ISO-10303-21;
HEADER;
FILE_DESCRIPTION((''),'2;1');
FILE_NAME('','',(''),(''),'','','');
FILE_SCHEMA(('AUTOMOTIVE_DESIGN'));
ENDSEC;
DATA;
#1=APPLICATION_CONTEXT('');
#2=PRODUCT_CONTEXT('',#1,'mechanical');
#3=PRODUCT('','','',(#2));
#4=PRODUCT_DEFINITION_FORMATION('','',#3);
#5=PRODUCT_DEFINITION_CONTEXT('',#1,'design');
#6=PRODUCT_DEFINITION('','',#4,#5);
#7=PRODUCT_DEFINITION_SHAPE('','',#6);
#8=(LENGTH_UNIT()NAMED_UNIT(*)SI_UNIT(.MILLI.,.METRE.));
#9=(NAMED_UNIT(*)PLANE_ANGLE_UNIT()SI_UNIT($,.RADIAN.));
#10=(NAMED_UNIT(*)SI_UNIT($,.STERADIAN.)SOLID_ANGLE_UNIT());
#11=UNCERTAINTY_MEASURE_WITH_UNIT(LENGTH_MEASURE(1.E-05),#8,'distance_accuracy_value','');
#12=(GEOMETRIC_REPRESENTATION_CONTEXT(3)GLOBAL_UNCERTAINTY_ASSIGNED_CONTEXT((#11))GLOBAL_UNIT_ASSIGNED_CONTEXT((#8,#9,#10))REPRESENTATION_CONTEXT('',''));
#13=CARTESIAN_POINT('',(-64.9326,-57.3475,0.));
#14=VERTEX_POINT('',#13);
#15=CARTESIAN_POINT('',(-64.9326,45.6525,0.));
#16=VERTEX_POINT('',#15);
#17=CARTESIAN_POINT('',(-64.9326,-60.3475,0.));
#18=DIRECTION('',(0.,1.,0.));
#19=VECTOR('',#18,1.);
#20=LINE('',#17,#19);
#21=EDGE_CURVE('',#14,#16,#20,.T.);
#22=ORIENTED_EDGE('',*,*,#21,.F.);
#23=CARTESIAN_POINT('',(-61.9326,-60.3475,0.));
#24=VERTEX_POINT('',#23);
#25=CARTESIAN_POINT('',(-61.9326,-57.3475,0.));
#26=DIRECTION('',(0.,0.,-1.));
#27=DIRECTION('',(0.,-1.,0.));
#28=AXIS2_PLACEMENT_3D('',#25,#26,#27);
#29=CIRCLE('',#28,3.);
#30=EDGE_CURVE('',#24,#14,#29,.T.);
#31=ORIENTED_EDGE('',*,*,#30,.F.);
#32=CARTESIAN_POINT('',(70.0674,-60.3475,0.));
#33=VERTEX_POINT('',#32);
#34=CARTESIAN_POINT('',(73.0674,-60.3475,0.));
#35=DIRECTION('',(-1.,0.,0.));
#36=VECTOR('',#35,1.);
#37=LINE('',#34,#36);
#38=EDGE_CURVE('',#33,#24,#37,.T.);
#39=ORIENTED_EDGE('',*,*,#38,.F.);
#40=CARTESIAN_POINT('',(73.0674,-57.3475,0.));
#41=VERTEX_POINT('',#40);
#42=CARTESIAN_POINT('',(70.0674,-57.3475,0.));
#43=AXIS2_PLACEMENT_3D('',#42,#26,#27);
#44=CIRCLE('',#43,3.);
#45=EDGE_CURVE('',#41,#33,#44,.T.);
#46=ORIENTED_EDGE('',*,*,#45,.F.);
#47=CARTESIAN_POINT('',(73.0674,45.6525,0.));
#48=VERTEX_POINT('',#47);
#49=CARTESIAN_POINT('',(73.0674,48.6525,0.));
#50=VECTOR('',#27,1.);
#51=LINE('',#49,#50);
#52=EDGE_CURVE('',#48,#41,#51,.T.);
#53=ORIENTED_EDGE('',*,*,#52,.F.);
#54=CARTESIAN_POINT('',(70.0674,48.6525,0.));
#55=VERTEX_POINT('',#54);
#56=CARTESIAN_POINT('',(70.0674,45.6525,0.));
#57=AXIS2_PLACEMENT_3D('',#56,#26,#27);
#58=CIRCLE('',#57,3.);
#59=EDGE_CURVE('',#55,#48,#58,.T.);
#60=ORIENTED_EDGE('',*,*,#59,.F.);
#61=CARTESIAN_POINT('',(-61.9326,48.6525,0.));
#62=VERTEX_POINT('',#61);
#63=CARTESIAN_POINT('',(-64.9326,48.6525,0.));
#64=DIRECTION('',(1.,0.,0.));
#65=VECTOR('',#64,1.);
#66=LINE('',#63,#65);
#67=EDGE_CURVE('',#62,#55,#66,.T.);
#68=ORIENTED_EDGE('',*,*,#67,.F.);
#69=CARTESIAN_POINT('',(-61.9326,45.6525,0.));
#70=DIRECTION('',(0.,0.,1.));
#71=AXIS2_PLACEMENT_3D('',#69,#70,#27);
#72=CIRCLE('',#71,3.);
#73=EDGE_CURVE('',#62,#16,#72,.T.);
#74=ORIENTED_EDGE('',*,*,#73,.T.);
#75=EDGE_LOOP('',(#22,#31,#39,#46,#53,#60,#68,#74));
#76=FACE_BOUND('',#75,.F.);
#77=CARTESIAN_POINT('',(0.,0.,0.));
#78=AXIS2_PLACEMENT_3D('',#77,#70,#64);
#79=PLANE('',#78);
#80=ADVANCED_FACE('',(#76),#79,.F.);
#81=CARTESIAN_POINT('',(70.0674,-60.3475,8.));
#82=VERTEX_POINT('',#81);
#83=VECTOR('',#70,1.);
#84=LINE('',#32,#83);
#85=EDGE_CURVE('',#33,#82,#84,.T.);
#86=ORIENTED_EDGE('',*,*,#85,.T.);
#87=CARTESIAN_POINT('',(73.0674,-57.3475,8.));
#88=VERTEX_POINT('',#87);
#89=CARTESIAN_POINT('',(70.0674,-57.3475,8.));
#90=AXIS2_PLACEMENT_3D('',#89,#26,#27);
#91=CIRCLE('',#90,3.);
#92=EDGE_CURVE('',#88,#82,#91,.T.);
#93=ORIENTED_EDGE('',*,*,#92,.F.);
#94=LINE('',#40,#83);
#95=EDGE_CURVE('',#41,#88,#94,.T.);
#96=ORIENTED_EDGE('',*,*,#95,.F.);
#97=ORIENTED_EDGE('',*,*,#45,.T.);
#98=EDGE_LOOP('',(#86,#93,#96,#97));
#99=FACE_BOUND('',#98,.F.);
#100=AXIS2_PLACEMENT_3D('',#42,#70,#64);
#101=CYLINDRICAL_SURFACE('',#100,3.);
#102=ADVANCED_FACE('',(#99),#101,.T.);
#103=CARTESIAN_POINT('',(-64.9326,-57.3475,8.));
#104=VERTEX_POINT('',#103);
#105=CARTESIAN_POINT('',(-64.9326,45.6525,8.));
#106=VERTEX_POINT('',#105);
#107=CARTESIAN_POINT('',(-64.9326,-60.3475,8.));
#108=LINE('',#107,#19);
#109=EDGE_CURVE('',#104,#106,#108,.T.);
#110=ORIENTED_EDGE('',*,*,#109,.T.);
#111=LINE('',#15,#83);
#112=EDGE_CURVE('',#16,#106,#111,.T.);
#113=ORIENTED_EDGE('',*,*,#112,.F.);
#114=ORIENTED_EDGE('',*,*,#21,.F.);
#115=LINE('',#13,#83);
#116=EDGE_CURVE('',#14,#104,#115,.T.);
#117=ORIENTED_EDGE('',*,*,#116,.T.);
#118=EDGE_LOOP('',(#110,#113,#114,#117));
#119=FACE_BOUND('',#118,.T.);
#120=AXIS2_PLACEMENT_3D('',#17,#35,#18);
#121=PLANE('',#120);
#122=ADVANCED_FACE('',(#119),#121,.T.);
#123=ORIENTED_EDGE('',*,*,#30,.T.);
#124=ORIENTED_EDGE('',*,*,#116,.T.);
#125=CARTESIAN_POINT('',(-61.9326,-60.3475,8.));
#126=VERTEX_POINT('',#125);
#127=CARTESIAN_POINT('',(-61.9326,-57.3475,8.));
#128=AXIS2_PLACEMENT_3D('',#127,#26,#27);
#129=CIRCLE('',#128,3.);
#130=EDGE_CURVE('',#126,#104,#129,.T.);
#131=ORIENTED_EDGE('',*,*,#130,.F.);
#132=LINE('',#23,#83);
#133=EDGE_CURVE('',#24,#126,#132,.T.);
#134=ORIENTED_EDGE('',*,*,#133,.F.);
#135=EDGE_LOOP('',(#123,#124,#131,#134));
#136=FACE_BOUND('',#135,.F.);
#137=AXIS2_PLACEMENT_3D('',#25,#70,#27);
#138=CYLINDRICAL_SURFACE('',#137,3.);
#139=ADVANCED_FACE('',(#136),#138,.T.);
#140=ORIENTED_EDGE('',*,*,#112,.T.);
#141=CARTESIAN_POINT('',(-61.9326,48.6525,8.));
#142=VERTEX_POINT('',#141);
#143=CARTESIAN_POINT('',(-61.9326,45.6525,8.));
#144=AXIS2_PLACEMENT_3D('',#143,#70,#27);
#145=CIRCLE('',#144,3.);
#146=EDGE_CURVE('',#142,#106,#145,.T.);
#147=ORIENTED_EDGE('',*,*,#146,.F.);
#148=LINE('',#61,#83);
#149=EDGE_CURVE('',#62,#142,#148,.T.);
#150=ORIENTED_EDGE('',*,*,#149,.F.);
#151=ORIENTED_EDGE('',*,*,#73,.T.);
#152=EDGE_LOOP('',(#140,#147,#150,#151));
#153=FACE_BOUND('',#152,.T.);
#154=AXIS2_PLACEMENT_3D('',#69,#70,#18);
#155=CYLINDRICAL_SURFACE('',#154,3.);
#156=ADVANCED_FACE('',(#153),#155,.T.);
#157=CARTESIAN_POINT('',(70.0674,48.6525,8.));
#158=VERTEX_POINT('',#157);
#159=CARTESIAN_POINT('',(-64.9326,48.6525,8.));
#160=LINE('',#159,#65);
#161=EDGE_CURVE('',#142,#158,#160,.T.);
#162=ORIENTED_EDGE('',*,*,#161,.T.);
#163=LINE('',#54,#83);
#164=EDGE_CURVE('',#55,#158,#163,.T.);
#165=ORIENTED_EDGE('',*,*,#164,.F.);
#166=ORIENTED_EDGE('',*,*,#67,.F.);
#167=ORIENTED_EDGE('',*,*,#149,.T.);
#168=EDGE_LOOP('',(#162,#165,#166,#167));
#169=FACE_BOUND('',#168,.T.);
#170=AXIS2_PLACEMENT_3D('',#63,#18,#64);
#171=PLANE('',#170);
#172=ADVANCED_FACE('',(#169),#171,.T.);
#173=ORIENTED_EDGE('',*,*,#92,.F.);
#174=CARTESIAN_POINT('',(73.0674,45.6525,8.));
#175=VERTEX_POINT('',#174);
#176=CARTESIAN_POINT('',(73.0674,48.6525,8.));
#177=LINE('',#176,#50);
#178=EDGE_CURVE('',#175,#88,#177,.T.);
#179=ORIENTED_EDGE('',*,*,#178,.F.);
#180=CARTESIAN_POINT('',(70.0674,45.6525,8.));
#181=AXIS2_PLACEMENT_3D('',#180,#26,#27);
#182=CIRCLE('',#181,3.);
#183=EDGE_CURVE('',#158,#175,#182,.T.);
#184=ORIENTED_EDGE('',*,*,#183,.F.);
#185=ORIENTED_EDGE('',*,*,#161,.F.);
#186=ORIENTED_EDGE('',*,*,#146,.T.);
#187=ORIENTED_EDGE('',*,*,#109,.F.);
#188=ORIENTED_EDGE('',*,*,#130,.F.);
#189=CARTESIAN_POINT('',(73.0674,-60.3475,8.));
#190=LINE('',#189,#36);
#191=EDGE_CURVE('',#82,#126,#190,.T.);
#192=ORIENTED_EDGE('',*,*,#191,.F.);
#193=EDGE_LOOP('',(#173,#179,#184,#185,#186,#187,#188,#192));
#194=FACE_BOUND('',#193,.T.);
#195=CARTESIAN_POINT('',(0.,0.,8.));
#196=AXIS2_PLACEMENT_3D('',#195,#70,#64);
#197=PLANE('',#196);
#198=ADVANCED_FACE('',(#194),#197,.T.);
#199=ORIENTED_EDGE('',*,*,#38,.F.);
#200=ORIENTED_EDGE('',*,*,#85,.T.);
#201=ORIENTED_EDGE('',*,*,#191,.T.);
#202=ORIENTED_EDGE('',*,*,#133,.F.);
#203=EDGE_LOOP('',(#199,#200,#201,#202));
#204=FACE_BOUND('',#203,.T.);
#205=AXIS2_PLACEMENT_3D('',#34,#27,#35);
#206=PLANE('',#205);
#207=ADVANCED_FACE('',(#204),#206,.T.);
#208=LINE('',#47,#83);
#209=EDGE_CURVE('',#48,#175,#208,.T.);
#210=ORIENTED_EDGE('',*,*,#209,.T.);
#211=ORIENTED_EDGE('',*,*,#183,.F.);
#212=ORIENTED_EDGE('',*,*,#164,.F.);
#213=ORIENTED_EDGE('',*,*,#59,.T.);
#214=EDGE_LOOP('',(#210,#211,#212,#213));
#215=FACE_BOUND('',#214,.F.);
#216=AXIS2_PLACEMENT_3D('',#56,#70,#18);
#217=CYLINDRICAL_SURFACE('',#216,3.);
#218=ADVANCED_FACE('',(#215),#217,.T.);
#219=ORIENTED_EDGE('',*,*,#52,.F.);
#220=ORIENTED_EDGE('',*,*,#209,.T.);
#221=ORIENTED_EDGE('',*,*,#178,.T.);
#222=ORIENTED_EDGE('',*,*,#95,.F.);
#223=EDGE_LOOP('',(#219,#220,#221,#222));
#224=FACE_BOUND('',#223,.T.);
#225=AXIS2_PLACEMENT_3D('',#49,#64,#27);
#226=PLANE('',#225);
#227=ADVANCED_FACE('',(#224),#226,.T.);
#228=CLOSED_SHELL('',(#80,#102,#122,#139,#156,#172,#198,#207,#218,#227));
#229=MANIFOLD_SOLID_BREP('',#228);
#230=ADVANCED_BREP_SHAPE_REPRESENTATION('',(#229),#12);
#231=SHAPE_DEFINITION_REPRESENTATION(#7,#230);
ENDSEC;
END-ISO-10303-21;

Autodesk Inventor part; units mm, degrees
ref_plane "YZ Plane" through (0, 0, 0) normal (1, 0, 0) x (0, 1, 0)
ref_plane "XZ Plane" through (0, 0, 0) normal (0, 1, 0) x (-1, 0, 0)
ref_plane "XY Plane" through (0, 0, 0) normal (0, 0, 1) x (1, 0, 0)
sketch "Sketch1" plane through (0, 0, 0) normal (0, 0, 1) x (1, 0, 0)
  line L0 (-64.9326, 48.6525) -> (73.0674, 48.6525)
  line L1 (73.0674, 48.6525) -> (73.0674, -60.3475)
  line L2 (73.0674, -60.3475) -> (-64.9326, -60.3475)
  line L3 (-64.9326, -60.3475) -> (-64.9326, 48.6525)
  point P0 (0, 0)
  dimension "d0" = 138
  dimension "d1" = 109
extrude "Extrusion1" add sketch "Sketch1" along normal blind 8
fillet "Fillet1" radius 3 4 edges at (73.0674, 48.6525, 4) (-64.9326, 48.6525, 4) (73.0674, -60.3475, 4) (-64.9326, -60.3475, 4)
properties part number "3DP_PLA_Internal_filter_mesh"
